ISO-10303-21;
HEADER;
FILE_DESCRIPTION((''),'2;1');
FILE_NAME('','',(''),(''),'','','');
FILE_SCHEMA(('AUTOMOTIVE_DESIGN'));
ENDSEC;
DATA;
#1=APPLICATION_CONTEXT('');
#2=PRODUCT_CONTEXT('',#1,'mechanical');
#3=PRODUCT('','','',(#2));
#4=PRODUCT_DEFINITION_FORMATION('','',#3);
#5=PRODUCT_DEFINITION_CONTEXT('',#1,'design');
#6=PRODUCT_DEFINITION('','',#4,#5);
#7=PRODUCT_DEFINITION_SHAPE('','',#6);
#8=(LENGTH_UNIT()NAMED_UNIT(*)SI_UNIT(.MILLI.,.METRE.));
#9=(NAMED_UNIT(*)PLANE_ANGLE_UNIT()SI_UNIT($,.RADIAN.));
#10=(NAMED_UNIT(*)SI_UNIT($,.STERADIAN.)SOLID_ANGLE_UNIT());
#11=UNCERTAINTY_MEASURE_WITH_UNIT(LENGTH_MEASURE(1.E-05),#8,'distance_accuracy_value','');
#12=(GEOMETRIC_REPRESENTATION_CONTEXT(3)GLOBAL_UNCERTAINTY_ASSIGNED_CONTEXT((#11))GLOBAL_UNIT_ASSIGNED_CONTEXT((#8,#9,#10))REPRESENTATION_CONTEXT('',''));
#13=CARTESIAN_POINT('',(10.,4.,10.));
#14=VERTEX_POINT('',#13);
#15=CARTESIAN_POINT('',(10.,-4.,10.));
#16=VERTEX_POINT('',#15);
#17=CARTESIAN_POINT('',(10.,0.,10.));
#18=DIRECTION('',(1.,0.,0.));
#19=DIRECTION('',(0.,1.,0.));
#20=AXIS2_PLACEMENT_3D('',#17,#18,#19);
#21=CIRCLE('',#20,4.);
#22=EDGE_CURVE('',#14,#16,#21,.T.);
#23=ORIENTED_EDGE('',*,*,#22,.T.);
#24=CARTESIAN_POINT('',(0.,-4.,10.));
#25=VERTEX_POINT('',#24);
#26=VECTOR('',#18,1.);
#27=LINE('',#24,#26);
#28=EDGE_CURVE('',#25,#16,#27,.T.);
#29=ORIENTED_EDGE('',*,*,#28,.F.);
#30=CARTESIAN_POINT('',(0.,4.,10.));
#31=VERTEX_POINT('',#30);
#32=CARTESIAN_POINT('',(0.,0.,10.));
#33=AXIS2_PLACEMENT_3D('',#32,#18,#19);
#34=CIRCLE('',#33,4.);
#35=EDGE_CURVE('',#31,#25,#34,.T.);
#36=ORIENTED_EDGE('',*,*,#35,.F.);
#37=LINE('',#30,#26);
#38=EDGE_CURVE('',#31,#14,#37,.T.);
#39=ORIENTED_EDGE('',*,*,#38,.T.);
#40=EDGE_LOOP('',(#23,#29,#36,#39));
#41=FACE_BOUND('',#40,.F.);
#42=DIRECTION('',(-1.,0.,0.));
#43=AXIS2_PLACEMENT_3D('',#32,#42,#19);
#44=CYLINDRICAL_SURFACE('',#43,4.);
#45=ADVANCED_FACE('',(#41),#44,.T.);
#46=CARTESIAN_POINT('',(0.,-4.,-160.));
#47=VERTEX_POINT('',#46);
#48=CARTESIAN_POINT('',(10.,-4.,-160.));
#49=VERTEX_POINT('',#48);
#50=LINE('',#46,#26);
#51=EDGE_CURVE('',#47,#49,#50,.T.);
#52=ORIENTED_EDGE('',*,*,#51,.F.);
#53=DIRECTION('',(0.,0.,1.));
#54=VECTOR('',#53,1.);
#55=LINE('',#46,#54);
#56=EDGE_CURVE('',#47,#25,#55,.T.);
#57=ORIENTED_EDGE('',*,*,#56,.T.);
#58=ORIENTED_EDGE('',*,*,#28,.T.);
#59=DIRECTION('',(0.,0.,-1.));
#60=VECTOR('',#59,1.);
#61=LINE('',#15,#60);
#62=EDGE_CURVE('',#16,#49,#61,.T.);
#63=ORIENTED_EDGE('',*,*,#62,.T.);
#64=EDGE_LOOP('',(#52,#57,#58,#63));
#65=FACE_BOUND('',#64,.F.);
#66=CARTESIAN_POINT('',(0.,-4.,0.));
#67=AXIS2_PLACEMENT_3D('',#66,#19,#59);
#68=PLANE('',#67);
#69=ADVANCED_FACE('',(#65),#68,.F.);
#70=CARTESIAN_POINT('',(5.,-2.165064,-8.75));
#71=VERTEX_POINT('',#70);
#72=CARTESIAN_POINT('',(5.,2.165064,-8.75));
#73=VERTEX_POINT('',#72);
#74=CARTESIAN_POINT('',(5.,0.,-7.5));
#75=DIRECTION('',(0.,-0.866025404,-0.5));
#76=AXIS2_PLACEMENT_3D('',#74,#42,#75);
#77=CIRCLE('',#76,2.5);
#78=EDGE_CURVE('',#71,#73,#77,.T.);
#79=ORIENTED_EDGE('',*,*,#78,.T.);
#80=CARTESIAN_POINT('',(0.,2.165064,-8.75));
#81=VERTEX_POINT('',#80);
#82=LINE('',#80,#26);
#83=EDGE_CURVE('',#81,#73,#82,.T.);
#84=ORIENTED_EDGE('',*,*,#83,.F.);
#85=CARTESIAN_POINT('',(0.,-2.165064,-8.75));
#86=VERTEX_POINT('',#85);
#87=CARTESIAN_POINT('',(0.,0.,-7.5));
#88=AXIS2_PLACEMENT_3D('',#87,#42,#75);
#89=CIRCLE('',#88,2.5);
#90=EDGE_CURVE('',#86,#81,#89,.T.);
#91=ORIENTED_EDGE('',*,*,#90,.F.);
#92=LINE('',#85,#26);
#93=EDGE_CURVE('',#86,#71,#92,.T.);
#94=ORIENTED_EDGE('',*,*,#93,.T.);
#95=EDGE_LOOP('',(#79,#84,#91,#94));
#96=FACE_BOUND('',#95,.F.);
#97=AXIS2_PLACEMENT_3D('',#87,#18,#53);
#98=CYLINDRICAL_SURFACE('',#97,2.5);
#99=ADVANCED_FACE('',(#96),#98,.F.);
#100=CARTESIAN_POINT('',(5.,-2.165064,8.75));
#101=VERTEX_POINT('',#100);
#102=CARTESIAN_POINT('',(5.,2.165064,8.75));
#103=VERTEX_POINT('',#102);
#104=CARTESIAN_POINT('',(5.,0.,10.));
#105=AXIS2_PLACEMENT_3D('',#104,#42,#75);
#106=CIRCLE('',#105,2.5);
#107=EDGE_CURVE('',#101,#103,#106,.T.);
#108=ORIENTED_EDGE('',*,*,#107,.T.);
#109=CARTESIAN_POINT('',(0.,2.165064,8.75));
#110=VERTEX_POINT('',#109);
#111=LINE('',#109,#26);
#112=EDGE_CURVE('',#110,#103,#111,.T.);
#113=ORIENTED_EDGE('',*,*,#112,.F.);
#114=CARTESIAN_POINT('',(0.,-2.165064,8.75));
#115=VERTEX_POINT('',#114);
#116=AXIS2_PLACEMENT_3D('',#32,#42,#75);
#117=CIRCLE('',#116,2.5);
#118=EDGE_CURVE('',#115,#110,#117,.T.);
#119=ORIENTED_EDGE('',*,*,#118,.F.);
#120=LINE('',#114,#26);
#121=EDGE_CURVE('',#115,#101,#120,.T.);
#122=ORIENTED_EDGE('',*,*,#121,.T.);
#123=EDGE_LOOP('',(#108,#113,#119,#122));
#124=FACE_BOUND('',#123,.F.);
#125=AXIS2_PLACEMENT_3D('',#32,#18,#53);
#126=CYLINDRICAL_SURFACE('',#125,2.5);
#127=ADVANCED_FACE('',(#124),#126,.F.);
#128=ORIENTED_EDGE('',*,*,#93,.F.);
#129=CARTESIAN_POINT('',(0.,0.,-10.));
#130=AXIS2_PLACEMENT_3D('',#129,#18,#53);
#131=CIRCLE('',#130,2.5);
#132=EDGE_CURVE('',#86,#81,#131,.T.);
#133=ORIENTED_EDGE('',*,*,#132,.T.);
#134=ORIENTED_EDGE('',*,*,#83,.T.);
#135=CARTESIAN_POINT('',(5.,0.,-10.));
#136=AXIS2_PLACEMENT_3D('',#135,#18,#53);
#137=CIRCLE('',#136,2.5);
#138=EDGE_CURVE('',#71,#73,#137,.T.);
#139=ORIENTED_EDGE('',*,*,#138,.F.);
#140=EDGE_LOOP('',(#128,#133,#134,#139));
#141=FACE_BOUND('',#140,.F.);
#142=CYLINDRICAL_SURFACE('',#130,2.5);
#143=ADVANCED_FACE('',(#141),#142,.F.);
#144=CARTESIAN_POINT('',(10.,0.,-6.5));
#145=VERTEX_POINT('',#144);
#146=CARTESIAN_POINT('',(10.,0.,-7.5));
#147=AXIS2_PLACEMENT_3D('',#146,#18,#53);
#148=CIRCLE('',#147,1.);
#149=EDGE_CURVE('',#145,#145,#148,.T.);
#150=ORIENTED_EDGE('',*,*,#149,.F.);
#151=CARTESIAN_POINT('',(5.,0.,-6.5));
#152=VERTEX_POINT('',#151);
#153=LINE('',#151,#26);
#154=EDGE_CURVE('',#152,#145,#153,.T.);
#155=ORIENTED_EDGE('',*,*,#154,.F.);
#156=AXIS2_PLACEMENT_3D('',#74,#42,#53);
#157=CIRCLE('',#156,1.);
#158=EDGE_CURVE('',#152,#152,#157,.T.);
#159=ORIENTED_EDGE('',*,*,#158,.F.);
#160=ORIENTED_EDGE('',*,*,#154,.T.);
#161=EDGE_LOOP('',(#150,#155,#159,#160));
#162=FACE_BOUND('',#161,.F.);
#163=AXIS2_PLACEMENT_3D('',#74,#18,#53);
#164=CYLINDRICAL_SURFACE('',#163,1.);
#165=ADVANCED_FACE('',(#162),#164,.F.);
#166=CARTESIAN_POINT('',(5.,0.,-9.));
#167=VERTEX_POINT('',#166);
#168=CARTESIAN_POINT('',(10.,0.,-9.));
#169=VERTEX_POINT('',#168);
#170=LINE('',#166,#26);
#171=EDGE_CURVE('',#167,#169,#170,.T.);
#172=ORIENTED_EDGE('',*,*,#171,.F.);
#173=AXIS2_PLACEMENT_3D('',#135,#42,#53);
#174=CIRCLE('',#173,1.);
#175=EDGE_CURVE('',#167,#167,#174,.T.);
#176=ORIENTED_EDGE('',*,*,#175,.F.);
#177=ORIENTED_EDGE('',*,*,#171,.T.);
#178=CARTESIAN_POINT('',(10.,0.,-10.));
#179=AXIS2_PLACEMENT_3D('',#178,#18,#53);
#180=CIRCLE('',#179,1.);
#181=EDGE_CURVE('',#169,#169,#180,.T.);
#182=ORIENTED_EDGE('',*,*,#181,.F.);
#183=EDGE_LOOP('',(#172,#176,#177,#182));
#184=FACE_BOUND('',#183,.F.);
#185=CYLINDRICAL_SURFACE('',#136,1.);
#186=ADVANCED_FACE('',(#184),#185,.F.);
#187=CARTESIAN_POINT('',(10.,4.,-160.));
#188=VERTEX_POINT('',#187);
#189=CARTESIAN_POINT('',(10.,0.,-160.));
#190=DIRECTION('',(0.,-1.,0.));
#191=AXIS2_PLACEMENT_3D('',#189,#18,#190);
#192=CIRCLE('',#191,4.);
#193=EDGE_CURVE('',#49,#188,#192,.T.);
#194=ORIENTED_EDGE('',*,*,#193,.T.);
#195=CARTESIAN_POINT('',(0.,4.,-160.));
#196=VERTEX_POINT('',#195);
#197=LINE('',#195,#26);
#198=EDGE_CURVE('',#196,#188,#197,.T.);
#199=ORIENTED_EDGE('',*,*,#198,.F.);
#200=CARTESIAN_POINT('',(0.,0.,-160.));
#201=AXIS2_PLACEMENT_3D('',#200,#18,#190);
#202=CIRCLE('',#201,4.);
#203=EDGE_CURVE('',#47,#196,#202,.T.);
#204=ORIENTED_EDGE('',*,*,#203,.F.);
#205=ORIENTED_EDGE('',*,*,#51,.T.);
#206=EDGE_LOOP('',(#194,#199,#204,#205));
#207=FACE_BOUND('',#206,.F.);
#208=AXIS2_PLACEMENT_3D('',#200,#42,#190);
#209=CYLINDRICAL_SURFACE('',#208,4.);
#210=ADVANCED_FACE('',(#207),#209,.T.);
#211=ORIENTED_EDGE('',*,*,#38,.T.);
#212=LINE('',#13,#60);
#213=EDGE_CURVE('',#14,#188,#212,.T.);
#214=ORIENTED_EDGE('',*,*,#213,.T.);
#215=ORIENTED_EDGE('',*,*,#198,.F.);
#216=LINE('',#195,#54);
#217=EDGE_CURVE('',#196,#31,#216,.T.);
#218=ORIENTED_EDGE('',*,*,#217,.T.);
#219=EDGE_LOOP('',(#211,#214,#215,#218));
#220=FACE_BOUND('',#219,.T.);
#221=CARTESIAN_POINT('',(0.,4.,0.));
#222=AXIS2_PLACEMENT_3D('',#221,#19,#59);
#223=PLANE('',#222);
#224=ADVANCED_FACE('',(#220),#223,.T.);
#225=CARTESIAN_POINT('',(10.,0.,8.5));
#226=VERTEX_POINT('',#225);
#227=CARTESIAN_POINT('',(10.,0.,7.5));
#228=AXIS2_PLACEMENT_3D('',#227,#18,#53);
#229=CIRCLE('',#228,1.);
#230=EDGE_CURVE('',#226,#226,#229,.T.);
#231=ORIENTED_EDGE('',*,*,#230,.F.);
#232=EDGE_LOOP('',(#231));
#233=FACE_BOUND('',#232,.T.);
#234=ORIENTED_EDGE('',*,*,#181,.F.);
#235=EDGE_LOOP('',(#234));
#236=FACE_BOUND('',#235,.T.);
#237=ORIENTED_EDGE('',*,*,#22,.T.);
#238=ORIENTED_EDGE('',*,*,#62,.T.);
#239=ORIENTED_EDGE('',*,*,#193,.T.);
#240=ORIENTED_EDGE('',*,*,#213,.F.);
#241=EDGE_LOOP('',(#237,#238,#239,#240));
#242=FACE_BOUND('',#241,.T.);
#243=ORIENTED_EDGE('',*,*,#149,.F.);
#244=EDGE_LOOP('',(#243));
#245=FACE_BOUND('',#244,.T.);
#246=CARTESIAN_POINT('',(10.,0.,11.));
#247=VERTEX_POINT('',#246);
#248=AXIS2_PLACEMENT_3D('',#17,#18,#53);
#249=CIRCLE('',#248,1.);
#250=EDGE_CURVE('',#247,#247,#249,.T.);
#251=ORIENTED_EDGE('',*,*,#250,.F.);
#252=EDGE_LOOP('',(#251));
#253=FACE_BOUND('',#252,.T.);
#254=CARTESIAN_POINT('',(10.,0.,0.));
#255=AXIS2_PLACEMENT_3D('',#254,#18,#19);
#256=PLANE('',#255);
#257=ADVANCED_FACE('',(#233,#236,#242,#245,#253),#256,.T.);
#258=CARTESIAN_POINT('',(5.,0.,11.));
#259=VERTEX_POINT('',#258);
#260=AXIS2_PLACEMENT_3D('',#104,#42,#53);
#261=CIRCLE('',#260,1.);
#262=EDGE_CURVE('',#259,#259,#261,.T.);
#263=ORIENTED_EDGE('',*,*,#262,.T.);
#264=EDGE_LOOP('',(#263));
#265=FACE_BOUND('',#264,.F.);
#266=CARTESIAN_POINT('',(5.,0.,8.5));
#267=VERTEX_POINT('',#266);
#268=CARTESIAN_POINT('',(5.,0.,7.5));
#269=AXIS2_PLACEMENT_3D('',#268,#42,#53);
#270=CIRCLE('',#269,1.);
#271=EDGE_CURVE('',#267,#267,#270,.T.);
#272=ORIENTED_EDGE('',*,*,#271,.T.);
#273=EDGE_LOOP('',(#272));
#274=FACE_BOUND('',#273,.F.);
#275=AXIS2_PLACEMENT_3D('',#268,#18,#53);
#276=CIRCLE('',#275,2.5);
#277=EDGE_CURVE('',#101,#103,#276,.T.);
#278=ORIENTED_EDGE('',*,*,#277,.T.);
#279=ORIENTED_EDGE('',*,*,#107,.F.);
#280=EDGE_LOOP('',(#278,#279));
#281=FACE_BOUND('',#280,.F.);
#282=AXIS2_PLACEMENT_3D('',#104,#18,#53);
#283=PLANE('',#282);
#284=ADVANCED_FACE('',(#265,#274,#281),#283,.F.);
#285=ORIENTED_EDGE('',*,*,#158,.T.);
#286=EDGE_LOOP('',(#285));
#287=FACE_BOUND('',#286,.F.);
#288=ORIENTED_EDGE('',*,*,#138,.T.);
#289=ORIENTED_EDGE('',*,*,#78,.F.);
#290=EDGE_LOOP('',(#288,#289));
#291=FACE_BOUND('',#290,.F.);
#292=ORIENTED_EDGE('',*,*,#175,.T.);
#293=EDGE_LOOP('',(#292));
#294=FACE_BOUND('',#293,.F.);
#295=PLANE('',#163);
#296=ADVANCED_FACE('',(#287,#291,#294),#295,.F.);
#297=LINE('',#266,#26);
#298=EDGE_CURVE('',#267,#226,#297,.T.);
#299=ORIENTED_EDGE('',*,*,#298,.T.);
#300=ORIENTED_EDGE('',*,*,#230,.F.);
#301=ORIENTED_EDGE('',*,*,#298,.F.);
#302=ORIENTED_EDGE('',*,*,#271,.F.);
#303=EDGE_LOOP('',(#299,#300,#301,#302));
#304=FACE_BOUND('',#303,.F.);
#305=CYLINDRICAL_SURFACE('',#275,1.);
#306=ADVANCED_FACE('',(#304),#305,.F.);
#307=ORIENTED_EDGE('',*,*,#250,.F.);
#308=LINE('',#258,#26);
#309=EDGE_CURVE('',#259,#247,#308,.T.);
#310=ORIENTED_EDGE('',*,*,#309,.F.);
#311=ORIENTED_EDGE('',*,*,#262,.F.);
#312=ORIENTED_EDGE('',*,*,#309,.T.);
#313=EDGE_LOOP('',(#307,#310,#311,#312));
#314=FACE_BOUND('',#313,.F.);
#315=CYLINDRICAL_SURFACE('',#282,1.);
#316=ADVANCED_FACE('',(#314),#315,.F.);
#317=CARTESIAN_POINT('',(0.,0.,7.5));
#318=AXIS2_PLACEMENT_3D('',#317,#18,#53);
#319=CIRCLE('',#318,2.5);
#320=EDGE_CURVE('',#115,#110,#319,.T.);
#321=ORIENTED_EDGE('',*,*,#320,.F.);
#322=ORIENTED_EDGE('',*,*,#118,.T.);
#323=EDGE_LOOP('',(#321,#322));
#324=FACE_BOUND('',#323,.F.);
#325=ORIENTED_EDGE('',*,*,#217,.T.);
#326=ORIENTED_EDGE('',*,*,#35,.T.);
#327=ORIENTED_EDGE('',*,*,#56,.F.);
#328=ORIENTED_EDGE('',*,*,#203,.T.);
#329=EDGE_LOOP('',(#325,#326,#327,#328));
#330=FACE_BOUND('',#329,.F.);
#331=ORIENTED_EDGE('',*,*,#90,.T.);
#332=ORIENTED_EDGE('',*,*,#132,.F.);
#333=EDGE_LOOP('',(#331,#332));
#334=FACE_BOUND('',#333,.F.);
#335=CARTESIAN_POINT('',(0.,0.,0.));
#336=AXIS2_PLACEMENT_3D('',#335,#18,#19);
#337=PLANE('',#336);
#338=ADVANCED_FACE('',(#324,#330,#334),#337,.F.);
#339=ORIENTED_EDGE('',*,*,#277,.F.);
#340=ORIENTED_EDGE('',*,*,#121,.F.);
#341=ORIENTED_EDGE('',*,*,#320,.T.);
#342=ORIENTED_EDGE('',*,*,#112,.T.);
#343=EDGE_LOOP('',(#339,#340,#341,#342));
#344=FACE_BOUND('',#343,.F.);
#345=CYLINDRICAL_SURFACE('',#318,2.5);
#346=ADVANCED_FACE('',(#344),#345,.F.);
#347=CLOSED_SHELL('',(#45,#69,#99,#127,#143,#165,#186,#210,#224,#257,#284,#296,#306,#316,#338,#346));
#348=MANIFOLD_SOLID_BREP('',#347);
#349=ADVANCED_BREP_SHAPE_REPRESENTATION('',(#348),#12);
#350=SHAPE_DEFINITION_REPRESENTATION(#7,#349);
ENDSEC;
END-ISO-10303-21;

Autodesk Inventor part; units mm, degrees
ref_plane "YZ Plane" through (0, 0, 0) normal (1, 0, 0) x (0, 1, 0)
ref_plane "XZ Plane" through (0, 0, 0) normal (0, 1, 0) x (-1, 0, 0)
ref_plane "XY Plane" through (0, 0, 0) normal (0, 0, 1) x (1, 0, 0)
sketch "Эскиз1" plane through (0, 0, 0) normal (1, 0, 0) x (0, 1, 0)
  circle A0 centre (0, 0) radius 7.5 construction
  line L0 (4, 0) -> (4, -160)
  line L1 (-4, 0) -> (-4, -160)
  arc A1 (-4, -160) -> (4, -160) centre (0, -160) ccw
  line L2 (4, 0) -> (4, 10)
  line L3 (-4, 10) -> (-4, 0)
  arc A2 (4, 10) -> (-4, 10) centre (0, 10) ccw
  point P0 (0, -7.5)
  point P1 (0, -10)
  point P2 (0, 7.5)
  dimension "d0" = 15
  dimension "d2" = 160
  dimension "d3" = 160
extrude "Выдавливание1" add sketch "Эскиз1" along normal blind 10
hole "Отверстие1" at (0, 0, -7.5) at (0, 0, -10) at (0, 0, 7.5) at (0, 0, 10) direction (1, 0, 0) diameter 2 end through all counterbore diameter 5 counterbore depth 5
properties part number "Leg"
